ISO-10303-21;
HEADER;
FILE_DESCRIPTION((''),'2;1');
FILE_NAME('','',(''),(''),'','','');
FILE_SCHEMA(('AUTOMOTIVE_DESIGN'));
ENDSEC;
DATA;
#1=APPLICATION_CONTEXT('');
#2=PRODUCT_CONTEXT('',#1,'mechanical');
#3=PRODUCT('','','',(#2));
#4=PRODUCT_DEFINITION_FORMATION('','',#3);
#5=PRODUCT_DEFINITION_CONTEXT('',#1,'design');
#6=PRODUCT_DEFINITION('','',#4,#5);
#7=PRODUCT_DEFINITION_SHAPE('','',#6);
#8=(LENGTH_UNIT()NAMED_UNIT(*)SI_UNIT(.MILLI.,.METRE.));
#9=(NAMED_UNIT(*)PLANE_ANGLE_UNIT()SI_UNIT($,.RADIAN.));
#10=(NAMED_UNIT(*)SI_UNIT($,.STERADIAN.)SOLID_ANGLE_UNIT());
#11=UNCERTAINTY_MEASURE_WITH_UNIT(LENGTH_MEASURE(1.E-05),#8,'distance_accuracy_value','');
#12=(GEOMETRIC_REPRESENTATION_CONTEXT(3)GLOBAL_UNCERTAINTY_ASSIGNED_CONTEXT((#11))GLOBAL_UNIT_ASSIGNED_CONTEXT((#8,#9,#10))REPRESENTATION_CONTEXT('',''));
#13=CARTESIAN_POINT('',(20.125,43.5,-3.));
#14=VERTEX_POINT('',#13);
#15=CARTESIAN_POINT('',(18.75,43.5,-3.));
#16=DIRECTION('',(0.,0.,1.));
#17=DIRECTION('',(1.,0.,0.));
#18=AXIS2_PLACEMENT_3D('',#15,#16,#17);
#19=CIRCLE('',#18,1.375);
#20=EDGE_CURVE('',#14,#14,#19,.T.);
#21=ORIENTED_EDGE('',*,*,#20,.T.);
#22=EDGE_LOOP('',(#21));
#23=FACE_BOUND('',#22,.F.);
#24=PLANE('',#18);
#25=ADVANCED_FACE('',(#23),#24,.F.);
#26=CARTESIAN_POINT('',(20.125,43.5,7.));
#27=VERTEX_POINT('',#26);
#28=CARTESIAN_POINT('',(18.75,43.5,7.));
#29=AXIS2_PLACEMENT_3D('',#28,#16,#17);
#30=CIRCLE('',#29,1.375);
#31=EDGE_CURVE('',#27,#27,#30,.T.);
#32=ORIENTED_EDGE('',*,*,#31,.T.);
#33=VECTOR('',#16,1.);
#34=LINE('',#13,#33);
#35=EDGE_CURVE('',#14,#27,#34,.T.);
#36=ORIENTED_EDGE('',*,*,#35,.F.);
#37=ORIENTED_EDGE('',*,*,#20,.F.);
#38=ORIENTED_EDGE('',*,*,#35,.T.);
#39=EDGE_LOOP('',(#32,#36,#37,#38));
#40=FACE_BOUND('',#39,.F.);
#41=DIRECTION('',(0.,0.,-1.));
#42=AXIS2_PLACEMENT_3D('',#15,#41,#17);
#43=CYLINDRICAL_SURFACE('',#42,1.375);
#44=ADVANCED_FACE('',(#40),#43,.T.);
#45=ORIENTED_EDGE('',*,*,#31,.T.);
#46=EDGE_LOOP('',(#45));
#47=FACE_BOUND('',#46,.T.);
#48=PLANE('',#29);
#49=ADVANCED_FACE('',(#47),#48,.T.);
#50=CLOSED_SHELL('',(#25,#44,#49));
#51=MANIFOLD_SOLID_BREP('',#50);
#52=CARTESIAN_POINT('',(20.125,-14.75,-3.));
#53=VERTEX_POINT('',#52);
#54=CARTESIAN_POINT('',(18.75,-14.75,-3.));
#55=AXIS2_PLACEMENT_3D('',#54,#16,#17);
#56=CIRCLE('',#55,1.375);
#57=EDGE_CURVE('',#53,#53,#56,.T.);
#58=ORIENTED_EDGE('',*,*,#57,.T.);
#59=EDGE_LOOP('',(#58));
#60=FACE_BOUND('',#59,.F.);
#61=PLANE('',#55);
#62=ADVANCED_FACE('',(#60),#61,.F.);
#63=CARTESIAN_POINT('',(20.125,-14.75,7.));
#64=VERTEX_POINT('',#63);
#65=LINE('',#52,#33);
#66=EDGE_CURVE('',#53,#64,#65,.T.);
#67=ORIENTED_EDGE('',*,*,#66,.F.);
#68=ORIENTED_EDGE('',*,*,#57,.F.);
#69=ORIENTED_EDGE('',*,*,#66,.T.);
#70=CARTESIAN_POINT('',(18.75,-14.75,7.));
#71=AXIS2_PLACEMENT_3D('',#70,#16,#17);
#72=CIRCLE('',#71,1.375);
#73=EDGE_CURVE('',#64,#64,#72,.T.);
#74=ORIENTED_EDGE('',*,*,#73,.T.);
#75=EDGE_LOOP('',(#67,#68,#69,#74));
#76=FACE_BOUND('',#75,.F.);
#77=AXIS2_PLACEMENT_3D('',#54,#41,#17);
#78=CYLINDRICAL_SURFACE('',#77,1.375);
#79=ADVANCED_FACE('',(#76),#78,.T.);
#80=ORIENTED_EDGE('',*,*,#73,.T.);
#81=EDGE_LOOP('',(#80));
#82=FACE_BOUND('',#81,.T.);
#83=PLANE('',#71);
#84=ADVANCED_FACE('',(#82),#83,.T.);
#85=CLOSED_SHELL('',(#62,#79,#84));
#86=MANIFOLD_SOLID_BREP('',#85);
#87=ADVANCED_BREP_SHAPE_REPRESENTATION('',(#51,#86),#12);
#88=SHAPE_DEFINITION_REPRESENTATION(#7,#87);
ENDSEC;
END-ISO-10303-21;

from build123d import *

# Parameters (mm, degrees)
CYLINDER009_R     = 1.375
CYLINDER009_DEPTH = 10
CYLINDER006_R     = 1.375
CYLINDER006_DEPTH = 10


with BuildPart() as cylinder009:
    # Cylinder009 → Cylinder009 (new body)
    with BuildSketch(Plane(origin=(18.75, -14.75, -3), x_dir=(1, 0, 0), z_dir=(0, 0, 1))):
        Circle(CYLINDER009_R)
    extrude(amount=CYLINDER009_DEPTH)


with BuildPart() as hole_cuts2:
    # Cylinder006 → Cylinder006 (new body)
    with BuildSketch(Plane(origin=(18.75, 43.5, -3), x_dir=(1, 0, 0), z_dir=(0, 0, 1))):
        Circle(CYLINDER006_R)
    extrude(amount=CYLINDER006_DEPTH)

    # Fusion002003003003: union Cylinder009
    add(cylinder009.part)


solid = hole_cuts2.part
